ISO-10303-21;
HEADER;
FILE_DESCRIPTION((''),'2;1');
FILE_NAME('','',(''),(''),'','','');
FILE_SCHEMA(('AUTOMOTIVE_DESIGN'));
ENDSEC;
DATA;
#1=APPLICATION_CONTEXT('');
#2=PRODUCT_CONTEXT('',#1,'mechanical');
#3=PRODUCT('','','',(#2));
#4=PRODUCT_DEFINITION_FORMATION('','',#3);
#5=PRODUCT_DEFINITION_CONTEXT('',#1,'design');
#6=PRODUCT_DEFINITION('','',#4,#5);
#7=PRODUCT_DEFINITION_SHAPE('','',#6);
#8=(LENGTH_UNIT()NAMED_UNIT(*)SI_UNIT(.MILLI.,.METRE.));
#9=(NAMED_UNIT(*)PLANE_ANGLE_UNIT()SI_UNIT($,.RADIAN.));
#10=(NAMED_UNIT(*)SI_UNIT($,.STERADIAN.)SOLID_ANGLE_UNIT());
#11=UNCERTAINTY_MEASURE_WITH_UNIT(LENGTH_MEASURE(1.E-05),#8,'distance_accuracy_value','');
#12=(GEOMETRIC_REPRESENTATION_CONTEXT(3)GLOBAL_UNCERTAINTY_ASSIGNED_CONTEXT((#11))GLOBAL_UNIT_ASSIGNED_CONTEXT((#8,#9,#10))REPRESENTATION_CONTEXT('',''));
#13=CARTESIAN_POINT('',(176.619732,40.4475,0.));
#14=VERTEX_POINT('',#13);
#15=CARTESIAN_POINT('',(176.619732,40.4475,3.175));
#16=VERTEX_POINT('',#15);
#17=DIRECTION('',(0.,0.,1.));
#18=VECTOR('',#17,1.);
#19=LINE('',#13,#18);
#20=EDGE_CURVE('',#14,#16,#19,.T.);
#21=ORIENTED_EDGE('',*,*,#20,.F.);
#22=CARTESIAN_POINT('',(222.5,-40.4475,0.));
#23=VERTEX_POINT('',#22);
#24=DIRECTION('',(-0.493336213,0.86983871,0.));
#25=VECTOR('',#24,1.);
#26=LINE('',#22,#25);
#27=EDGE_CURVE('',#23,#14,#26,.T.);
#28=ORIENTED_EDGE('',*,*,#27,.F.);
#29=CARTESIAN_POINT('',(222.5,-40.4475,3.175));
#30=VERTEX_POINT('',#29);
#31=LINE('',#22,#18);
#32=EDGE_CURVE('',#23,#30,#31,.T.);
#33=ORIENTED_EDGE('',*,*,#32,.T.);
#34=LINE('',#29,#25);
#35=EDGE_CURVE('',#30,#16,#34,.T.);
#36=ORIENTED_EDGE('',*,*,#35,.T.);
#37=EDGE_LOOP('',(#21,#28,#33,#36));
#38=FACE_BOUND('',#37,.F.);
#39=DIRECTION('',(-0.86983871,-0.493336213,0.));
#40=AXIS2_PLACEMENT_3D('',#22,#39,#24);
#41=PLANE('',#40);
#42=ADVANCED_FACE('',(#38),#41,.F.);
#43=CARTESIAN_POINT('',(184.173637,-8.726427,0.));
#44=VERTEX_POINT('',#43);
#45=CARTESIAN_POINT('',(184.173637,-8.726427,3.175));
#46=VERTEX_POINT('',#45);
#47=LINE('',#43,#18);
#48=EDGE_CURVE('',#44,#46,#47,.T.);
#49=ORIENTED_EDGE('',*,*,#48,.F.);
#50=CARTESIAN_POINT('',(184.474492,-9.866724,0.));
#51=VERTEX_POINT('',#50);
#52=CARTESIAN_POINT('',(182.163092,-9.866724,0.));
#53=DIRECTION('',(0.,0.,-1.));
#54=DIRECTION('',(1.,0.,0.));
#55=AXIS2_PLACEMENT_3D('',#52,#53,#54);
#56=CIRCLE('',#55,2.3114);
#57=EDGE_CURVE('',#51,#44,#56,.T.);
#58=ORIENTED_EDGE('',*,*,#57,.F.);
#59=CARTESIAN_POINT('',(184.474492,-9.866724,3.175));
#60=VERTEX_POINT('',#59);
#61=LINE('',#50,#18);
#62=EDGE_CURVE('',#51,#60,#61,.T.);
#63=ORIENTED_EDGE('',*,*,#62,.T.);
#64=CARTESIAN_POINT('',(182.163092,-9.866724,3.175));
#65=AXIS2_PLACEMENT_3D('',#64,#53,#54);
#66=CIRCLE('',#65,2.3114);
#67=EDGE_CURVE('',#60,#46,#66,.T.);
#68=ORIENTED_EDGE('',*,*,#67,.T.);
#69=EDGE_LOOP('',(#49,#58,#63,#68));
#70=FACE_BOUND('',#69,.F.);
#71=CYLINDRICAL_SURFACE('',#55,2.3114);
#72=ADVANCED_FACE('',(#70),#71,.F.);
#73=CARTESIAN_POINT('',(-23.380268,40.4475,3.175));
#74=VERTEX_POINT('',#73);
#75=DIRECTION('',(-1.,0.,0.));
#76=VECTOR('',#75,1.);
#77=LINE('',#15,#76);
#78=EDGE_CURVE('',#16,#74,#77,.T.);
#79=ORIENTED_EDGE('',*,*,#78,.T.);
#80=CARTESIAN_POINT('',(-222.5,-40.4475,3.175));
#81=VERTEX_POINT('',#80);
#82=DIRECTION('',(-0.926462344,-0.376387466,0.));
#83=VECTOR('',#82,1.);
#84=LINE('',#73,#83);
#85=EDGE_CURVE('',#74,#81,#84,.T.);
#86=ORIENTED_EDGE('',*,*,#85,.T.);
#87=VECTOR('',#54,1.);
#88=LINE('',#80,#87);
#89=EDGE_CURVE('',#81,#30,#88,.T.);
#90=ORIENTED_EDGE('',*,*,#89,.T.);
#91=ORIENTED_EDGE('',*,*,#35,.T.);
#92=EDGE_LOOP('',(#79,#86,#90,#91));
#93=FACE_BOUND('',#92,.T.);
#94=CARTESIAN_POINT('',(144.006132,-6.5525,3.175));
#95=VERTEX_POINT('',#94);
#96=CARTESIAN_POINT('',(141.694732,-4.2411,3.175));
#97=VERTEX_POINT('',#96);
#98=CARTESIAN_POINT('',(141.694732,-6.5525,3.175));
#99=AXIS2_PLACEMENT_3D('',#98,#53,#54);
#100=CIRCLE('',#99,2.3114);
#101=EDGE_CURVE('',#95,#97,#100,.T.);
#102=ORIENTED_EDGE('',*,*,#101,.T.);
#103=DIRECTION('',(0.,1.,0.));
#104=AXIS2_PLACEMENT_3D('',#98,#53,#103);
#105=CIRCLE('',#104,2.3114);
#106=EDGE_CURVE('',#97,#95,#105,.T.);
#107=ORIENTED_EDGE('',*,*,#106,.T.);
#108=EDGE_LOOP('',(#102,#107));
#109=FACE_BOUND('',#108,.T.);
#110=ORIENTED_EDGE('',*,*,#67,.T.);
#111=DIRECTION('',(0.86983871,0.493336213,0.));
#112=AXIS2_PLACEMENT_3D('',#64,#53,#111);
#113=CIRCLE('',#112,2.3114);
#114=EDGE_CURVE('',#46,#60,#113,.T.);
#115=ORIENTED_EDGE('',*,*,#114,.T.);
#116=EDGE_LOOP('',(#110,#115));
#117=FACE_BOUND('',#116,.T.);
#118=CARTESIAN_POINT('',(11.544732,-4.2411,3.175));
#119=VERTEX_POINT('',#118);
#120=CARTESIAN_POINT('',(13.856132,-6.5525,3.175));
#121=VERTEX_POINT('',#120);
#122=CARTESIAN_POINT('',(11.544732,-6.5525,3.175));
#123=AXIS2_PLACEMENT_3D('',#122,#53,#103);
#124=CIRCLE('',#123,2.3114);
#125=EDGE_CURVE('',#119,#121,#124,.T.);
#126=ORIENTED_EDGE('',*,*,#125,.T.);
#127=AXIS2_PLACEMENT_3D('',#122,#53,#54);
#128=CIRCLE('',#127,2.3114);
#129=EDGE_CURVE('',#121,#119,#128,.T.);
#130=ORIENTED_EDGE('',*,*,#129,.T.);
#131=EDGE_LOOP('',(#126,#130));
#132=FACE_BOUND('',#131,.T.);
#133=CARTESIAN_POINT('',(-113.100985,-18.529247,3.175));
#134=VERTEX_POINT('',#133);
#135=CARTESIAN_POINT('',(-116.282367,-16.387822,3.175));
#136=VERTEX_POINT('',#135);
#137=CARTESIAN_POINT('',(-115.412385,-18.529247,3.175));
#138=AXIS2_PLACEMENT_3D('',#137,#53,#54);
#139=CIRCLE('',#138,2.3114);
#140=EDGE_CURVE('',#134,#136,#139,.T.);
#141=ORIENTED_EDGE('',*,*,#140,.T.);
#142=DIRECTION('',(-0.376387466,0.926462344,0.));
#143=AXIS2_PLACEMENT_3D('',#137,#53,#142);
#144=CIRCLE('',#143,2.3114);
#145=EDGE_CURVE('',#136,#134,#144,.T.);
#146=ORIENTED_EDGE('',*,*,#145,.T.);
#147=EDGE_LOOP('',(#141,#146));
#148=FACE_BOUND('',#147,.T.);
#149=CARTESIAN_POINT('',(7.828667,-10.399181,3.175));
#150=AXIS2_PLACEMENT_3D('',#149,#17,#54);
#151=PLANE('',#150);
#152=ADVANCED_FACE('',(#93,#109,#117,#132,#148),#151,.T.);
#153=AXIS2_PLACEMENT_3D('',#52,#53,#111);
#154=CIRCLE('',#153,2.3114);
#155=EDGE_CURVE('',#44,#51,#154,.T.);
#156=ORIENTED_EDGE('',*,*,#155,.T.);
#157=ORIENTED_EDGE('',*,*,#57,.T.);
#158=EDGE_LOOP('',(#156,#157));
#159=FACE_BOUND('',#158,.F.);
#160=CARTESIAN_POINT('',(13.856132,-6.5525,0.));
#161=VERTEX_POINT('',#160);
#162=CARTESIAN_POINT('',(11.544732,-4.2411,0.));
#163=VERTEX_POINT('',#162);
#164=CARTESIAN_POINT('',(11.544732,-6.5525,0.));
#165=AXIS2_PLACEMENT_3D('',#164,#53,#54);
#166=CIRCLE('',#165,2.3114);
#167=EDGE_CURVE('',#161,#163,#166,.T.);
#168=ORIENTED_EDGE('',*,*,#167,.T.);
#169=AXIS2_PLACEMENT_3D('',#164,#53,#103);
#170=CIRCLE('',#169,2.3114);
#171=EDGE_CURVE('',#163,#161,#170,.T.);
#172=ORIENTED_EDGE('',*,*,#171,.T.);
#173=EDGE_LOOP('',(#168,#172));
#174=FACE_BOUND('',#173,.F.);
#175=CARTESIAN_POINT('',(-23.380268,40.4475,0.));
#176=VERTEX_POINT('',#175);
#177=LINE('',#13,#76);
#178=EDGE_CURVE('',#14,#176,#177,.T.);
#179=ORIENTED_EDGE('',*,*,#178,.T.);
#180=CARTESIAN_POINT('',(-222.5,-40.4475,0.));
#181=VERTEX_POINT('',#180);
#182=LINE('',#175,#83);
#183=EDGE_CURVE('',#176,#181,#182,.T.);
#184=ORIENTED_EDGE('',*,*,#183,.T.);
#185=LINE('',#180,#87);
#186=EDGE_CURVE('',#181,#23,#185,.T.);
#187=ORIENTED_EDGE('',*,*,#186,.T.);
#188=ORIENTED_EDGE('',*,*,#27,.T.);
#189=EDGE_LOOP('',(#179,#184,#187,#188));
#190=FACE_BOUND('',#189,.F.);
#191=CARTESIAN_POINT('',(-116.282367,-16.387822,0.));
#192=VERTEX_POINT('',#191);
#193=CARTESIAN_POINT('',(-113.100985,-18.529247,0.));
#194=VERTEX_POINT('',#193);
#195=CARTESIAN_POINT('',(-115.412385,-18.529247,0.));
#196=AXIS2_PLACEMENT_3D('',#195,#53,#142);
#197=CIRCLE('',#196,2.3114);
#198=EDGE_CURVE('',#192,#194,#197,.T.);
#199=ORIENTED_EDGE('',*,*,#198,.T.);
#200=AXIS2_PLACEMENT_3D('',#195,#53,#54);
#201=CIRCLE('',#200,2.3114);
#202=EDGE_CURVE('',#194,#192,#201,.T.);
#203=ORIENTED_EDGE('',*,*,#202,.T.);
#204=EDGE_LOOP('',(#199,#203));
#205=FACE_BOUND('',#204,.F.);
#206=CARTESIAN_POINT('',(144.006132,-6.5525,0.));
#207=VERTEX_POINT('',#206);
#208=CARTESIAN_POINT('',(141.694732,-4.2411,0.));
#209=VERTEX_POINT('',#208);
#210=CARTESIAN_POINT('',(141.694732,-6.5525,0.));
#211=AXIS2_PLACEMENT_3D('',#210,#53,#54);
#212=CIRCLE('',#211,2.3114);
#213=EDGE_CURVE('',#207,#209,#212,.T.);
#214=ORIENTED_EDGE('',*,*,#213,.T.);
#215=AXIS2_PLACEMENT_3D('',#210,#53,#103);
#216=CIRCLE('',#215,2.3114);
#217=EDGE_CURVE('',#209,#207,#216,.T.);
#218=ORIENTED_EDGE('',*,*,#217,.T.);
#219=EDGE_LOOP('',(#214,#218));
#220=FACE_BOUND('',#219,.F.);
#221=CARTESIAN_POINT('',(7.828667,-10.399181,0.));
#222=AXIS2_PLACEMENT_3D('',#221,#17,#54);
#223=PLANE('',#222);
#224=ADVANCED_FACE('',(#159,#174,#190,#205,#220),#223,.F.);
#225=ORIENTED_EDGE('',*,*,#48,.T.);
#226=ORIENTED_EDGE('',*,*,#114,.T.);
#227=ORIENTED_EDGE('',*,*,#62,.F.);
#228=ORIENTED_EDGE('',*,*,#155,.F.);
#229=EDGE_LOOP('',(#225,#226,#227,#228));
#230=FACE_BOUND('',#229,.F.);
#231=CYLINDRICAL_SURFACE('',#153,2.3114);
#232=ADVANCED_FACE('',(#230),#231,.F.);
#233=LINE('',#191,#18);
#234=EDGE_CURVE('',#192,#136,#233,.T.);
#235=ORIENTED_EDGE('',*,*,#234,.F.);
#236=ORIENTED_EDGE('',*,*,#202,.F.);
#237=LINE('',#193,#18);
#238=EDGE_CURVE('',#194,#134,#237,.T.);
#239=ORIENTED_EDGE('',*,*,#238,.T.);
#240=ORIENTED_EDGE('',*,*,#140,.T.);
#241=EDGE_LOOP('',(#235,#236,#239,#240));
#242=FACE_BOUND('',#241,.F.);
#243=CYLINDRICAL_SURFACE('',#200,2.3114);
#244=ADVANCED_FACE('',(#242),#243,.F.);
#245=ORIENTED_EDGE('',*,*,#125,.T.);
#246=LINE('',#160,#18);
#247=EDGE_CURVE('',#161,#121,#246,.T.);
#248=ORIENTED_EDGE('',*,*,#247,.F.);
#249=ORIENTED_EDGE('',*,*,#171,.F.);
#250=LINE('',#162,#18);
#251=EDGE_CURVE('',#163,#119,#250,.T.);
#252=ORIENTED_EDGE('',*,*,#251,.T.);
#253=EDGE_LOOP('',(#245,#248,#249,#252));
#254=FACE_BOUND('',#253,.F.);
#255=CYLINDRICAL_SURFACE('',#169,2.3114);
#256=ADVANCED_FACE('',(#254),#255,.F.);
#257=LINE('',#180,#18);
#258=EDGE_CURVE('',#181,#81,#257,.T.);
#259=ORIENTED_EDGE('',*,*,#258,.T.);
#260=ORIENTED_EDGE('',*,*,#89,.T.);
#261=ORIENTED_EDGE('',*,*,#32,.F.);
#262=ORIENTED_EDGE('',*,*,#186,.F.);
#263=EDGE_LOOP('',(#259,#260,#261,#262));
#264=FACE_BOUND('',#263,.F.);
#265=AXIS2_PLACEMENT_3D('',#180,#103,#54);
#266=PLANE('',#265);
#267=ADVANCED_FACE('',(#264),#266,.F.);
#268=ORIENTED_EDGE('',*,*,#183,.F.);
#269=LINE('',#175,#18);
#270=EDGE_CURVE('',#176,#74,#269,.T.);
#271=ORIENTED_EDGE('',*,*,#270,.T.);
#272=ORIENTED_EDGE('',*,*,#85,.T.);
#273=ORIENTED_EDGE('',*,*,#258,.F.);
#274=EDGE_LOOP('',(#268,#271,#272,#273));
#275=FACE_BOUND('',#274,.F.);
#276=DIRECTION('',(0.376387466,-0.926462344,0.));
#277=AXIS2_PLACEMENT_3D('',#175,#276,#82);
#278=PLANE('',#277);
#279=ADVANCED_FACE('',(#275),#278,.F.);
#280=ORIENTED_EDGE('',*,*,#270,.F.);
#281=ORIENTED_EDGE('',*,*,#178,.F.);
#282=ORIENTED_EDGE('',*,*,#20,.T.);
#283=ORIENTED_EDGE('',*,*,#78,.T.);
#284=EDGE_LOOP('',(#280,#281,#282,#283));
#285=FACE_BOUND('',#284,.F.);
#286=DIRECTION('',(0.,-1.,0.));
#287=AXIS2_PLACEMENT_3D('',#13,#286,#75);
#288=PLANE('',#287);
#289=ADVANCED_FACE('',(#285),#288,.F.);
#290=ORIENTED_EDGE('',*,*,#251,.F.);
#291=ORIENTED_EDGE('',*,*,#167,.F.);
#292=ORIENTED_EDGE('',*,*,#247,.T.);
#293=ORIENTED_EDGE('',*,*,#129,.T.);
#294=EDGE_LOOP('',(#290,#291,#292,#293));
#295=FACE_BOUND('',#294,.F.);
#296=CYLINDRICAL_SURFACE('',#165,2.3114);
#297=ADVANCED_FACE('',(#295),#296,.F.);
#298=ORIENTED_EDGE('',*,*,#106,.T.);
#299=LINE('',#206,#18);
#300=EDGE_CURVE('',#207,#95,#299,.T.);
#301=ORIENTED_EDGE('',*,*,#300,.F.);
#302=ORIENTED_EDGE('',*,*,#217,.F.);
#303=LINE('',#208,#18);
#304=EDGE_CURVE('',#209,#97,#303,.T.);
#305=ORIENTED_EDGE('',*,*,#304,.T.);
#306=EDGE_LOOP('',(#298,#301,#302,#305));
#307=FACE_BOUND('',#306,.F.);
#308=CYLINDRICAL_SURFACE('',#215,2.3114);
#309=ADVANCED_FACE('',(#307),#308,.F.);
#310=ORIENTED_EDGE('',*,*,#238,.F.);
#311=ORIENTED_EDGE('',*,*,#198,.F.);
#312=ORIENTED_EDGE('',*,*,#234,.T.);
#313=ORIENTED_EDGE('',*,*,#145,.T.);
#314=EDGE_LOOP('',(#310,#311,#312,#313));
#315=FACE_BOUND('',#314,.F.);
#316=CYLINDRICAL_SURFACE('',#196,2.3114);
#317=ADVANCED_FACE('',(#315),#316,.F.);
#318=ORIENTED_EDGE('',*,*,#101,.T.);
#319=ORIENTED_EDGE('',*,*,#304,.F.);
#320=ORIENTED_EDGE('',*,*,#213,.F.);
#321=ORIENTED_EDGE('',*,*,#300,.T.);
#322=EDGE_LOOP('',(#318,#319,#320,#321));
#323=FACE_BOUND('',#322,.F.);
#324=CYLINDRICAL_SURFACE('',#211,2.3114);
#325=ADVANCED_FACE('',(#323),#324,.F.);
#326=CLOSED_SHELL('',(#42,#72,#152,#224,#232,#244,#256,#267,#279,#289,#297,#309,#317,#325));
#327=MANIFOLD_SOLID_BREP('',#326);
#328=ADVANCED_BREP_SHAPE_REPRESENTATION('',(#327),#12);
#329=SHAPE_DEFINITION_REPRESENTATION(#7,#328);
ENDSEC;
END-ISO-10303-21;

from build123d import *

# Parameters (mm, degrees)
F1_DEPTH = 3.175


with BuildPart() as f1:
    # F0 (on Top) → F1 (new body)
    with BuildSketch(Plane.XY):
        Polygon((-222.5, -40.4475), (222.5, -40.4475), (176.6197321826, 40.4475), (141.6947321826, 40.4475), (11.5447321826, 40.4475), (-23.3802678174, 40.4475), align=None)
        with BuildLine():
            ThreePointArc((-116.282366584, -16.3878218263), (-114.1217077206, -16.6117685547), (-113.1009845959, -18.5292468893))
            ThreePointArc((-113.1009845959, -18.5292468893), (-116.7030614712, -20.4467252239), (-116.282366584, -16.3878218263))
        make_face(mode=Mode.SUBTRACT)
        with BuildLine():
            ThreePointArc((11.5447321826, -4.2411), (13.1791387966, -4.918093386), (13.8561321826, -6.5525))
            ThreePointArc((13.8561321826, -6.5525), (9.9103255685, -8.186906614), (11.5447321826, -4.2411))
        make_face(mode=Mode.SUBTRACT)
        with BuildLine():
            ThreePointArc((141.6947321826, -4.2411), (143.3291387966, -4.918093386), (144.0061321826, -6.5525))
            ThreePointArc((144.0061321826, -6.5525), (140.0603255685, -8.186906614), (141.6947321826, -4.2411))
        make_face(mode=Mode.SUBTRACT)
        with BuildLine():
            ThreePointArc((184.1736370913, -8.7264269389), (184.3980129389, -9.2770651231), (184.4744918977, -9.8667242618))
            ThreePointArc((184.4744918977, -9.8667242618), (179.9281708566, -10.4563834005), (184.1736370913, -8.7264269389))
        make_face(mode=Mode.SUBTRACT)
    extrude(amount=F1_DEPTH)


solid = f1.part
